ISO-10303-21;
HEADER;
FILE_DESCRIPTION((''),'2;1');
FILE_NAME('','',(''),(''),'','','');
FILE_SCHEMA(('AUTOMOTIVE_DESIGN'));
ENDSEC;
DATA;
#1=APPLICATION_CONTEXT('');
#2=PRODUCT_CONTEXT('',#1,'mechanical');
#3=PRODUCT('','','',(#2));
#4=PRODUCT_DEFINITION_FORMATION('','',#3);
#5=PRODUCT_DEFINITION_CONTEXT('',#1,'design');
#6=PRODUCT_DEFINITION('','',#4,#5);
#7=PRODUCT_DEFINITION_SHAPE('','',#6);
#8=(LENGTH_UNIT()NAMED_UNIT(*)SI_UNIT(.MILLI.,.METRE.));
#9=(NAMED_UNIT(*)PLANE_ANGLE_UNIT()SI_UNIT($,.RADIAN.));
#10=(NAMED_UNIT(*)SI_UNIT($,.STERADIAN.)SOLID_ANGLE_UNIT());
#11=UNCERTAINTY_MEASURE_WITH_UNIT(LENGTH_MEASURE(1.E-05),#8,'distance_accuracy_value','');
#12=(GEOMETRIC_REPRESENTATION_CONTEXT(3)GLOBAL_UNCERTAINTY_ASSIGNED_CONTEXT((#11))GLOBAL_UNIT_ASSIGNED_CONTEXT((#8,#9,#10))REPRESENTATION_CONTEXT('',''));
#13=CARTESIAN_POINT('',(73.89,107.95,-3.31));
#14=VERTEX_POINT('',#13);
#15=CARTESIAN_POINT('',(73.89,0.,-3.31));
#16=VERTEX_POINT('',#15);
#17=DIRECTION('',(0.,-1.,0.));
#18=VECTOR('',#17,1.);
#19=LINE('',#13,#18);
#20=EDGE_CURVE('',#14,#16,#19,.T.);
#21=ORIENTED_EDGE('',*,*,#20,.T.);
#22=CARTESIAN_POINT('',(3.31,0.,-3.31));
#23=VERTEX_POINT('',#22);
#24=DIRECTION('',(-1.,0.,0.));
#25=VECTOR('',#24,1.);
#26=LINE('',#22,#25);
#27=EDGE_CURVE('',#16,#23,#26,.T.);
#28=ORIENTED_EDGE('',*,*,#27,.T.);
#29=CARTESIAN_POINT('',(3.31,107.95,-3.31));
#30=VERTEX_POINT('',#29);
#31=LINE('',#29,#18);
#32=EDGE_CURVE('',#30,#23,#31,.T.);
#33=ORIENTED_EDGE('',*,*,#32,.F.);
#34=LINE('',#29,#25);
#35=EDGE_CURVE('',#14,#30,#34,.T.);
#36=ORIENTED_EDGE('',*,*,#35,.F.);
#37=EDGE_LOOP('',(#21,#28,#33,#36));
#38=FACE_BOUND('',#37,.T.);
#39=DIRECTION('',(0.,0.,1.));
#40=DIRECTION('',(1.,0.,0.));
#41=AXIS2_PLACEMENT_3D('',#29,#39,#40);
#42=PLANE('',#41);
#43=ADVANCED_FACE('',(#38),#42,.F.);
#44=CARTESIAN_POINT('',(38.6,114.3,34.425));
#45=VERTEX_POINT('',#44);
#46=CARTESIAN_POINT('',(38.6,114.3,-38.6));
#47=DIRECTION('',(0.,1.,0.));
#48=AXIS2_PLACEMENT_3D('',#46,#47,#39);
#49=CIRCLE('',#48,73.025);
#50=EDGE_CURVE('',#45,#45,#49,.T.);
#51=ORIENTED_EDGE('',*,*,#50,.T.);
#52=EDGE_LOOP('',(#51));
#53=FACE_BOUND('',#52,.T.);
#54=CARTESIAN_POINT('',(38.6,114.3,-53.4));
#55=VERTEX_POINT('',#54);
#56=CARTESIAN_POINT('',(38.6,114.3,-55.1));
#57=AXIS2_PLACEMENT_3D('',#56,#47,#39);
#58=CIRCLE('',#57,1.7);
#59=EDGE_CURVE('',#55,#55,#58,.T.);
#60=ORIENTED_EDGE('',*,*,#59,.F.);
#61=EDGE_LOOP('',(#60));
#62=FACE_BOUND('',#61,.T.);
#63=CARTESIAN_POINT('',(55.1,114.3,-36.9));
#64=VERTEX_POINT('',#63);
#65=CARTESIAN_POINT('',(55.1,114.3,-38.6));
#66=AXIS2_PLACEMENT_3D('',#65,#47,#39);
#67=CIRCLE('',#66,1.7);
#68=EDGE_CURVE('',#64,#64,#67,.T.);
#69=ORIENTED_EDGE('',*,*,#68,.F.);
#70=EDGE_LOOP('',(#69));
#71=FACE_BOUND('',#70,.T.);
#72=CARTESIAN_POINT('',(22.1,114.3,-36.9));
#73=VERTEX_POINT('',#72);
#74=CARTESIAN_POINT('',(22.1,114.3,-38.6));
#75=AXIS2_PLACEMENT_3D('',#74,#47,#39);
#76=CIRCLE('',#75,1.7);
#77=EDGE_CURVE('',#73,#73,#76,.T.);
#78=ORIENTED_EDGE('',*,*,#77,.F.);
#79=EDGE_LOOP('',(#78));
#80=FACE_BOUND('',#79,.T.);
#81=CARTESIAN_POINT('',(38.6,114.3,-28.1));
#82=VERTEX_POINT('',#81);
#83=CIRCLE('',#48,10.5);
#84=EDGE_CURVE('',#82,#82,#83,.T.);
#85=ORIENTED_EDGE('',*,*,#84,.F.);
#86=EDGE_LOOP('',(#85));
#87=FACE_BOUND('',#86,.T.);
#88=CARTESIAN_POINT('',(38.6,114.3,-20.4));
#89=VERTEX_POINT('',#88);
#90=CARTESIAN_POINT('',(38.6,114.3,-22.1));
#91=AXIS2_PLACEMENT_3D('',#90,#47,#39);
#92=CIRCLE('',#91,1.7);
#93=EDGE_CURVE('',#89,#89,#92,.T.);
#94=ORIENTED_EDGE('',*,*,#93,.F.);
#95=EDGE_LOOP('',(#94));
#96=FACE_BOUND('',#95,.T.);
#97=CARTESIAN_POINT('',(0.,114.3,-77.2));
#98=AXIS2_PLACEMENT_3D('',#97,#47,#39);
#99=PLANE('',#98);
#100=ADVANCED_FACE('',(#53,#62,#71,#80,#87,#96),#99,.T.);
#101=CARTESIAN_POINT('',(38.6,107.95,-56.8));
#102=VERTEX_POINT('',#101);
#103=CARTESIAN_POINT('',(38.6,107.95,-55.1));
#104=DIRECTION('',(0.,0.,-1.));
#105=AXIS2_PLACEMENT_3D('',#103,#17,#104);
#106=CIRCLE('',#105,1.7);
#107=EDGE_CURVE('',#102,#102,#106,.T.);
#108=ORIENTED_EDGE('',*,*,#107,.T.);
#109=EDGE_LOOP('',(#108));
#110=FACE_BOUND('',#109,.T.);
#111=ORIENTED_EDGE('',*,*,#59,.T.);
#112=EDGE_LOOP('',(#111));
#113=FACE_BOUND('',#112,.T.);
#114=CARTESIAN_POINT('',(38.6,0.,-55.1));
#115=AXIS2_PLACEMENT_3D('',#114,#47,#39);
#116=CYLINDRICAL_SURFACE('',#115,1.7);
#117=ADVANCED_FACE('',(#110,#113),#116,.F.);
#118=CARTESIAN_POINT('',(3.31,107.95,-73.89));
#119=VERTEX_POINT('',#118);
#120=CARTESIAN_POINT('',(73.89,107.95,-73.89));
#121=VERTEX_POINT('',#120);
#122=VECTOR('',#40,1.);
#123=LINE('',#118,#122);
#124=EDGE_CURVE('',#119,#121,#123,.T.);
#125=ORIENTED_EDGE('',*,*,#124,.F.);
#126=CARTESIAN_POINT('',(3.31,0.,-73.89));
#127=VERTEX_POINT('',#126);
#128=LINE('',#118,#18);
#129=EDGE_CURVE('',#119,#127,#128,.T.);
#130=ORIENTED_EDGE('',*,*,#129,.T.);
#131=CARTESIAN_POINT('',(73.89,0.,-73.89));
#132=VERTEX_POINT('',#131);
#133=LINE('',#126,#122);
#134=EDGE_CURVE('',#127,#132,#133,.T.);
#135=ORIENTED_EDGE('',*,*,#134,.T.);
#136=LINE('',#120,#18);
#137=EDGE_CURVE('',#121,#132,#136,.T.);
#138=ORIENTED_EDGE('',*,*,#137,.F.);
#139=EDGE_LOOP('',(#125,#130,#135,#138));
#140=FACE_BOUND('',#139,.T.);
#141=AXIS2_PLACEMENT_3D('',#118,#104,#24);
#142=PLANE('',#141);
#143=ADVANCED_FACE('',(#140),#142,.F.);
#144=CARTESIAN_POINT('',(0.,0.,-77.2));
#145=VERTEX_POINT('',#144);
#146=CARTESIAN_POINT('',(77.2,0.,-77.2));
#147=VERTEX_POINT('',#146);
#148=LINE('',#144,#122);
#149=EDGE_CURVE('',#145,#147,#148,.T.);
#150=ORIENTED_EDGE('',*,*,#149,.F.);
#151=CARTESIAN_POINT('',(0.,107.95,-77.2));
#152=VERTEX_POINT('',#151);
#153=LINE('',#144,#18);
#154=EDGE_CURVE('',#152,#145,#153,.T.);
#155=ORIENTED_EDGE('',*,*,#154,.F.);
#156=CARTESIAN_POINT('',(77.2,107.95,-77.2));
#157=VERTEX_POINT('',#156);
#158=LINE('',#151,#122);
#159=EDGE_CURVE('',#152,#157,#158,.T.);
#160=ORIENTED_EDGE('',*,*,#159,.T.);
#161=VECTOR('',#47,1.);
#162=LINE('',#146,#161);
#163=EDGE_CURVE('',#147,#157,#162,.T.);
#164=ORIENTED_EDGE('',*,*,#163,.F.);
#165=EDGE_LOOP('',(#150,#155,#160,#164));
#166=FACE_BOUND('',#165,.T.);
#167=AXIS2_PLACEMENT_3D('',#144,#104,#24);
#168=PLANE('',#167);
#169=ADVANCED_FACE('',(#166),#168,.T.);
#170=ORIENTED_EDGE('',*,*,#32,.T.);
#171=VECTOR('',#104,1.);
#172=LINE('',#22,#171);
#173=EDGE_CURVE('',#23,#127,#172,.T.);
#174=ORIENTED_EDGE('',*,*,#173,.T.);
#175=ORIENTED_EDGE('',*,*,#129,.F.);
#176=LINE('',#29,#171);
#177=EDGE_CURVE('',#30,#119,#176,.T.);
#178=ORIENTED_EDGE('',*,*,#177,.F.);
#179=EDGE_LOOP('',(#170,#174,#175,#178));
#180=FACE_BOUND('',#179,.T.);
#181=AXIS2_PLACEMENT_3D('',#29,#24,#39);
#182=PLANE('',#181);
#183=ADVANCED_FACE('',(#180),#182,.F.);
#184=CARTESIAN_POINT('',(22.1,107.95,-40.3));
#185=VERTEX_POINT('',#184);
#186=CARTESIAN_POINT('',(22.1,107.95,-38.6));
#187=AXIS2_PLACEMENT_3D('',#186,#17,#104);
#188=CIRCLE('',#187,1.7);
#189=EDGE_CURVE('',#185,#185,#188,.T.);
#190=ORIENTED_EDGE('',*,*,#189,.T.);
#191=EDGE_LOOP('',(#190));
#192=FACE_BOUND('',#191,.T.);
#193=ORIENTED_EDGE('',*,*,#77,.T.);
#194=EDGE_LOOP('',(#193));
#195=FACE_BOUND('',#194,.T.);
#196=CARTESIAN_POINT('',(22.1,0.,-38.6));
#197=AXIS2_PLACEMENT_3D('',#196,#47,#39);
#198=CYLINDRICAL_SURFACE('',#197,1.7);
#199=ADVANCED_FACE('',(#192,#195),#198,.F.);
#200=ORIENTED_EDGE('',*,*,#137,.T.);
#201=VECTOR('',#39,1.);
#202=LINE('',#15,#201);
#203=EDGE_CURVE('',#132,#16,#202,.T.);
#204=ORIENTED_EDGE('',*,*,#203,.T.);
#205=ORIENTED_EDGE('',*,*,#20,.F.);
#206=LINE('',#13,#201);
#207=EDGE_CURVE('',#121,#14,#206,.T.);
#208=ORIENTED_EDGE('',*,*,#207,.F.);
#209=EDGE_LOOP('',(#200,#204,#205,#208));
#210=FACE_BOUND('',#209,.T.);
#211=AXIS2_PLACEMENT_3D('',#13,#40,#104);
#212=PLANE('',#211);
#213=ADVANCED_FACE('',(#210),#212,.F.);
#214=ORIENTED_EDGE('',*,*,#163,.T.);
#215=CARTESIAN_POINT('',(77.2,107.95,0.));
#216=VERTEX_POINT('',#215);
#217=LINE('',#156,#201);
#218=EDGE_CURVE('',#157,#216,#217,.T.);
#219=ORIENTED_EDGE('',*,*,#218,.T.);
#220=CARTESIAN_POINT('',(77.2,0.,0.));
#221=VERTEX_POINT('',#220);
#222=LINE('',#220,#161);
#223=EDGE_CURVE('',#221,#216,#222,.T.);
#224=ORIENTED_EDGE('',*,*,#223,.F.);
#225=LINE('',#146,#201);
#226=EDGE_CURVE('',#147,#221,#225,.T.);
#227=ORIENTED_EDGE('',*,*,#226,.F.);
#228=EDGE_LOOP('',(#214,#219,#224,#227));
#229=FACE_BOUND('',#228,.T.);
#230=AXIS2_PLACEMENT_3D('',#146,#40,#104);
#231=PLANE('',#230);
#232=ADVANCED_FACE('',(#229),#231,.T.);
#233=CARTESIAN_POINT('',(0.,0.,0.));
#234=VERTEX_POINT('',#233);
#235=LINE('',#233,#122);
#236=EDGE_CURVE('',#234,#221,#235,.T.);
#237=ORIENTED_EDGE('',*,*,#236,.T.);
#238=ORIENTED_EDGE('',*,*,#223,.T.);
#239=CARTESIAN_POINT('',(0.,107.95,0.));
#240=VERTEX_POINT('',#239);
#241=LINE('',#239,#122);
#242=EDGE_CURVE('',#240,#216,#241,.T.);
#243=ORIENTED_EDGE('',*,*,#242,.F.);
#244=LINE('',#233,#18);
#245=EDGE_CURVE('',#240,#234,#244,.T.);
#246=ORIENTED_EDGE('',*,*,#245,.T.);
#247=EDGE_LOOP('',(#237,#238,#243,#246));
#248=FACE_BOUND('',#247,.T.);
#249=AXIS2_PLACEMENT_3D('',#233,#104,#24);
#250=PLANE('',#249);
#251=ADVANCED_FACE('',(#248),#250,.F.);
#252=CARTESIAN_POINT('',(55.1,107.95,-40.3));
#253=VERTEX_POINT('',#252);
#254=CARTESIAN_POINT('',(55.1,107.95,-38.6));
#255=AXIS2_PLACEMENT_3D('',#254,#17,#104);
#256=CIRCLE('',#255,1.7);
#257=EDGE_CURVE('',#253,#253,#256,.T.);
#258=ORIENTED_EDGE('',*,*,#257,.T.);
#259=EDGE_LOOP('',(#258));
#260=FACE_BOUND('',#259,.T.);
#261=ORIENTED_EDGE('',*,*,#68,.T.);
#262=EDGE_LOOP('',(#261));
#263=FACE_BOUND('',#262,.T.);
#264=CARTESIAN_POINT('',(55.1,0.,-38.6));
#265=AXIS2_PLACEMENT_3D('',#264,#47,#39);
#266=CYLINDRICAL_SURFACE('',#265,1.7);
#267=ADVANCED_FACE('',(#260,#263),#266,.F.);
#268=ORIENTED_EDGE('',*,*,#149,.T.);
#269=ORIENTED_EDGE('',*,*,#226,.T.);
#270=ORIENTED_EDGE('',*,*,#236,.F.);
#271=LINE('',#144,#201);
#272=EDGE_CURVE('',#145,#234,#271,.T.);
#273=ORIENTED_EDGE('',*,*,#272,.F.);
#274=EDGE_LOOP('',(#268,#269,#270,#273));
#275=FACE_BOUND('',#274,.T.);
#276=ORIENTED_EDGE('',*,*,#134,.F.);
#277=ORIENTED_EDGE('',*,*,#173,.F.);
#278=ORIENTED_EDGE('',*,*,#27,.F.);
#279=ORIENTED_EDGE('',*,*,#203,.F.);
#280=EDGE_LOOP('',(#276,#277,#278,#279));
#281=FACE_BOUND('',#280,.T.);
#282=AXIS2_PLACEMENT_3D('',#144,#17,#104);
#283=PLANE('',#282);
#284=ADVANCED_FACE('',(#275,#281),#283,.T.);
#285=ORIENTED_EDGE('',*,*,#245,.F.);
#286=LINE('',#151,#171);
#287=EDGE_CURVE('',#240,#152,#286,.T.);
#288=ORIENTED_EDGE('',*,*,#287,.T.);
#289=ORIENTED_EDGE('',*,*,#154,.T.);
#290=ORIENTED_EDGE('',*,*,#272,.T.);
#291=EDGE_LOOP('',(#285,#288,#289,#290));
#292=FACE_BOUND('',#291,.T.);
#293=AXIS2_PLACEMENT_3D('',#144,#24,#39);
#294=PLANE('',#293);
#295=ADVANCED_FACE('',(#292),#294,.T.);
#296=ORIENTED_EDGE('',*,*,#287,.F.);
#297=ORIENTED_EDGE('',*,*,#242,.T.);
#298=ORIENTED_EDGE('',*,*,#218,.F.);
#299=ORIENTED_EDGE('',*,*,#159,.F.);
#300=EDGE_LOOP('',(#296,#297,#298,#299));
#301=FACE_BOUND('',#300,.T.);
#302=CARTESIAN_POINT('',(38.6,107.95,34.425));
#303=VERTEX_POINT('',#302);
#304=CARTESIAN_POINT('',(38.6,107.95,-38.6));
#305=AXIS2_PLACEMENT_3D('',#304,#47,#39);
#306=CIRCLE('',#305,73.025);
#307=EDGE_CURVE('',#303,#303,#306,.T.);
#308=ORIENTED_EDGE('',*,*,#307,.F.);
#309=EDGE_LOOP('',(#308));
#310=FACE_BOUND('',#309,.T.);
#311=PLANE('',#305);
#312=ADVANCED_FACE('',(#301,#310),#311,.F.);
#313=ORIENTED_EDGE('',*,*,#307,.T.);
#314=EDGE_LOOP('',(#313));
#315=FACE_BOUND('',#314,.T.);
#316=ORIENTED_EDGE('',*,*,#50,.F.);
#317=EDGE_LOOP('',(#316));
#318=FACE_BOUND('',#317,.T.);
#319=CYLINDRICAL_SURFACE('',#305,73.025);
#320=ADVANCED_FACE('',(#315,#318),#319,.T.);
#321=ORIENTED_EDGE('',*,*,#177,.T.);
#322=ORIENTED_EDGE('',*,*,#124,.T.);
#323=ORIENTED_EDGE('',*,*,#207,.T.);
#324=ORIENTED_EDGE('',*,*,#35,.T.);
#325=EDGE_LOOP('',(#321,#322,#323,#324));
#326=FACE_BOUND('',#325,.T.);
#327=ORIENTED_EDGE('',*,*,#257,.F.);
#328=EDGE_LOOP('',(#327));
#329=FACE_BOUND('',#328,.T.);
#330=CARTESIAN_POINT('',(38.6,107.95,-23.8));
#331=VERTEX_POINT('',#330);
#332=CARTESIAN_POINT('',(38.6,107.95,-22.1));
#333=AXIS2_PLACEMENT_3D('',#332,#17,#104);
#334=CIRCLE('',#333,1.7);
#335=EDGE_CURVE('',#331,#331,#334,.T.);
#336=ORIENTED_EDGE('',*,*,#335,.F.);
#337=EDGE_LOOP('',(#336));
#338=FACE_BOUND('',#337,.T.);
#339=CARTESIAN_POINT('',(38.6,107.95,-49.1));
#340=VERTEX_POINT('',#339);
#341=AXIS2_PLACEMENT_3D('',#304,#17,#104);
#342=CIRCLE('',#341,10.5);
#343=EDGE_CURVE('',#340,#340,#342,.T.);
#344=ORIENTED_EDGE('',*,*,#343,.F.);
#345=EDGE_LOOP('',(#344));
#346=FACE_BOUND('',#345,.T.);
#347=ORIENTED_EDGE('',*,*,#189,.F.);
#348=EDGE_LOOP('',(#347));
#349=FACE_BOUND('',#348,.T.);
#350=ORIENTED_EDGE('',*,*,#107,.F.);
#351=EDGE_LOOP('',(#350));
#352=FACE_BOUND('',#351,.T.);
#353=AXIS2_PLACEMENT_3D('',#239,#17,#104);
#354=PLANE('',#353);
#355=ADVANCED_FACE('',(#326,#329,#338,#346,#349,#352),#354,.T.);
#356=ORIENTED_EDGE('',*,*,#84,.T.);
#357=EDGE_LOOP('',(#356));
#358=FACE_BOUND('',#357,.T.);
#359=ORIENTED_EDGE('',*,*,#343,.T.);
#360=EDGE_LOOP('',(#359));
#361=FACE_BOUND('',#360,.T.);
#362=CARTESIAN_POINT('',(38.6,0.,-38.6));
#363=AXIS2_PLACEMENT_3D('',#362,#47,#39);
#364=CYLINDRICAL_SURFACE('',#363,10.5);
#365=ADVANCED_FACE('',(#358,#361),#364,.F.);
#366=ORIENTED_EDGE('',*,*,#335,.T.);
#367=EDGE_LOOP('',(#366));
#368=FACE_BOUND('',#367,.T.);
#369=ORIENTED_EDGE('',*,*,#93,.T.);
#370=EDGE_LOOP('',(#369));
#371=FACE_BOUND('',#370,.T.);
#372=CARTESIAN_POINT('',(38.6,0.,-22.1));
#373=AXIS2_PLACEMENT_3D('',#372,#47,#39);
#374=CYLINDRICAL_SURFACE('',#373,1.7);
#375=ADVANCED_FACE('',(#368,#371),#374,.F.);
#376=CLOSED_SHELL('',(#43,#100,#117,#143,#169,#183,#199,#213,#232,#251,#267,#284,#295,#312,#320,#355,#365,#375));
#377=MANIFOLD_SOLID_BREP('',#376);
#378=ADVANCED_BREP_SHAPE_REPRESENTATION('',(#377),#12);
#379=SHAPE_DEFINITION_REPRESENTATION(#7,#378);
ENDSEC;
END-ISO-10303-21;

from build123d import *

# Parameters (mm, degrees)
SKETCH1_W           = 77.2
SKETCH1_H           = 114.3
BOSS_EXTRUDE1_DEPTH = 77.2
SKETCH2_W           = 70.58
SKETCH2_H           = 70.58
CUT_EXTRUDE1_DEPTH  = 107.95
SKETCH3_R           = 10.5
SKETCH3_R_2         = 1.7
CUT_EXTRUDE2_DEPTH  = 115.3
SKETCH4_R           = 73.025
SKETCH4_R_2         = 1.7
SKETCH4_R_3         = 10.5
BOSS_EXTRUDE4_DEPTH = 6.35


with BuildPart() as part:
    # Sketch1 → Boss-Extrude1 (new body)
    with BuildSketch(Plane.XY):
        with Locations((38.6, 57.15)):
            Rectangle(SKETCH1_W, SKETCH1_H)
    extrude(amount=-BOSS_EXTRUDE1_DEPTH)

    # Sketch2 → Cut-Extrude1 (cut)
    with BuildSketch(Plane.XZ):
        with Locations((38.6, -38.6)):
            Rectangle(SKETCH2_W, SKETCH2_H)
    extrude(amount=-CUT_EXTRUDE1_DEPTH, mode=Mode.SUBTRACT)

    # Sketch3 → Cut-Extrude2 (cut, through all)
    with BuildSketch(Plane(origin=(0, 114.3, 0), x_dir=(1, 0, 0), z_dir=(0, 1, 0))):
        with Locations((38.6, 38.6)):
            Circle(SKETCH3_R)
        with Locations((38.6, 55.1)):
            Circle(SKETCH3_R_2)
        with Locations((55.1, 38.6)):
            Circle(SKETCH3_R_2)
        with Locations((38.6, 22.1)):
            Circle(SKETCH3_R_2)
        with Locations((22.1, 38.6)):
            Circle(SKETCH3_R_2)
    extrude(amount=-CUT_EXTRUDE2_DEPTH, mode=Mode.SUBTRACT)

    # Sketch4 → Boss-Extrude4 (add)
    with BuildSketch(Plane(origin=(0, 114.3, 0), x_dir=(1, 0, 0), z_dir=(0, 1, 0))):
        with Locations((38.6, 38.6)):
            Circle(SKETCH4_R)
        with Locations((38.6, 55.1)):
            Circle(SKETCH4_R_2, mode=Mode.SUBTRACT)
        with Locations((55.1, 38.6)):
            Circle(SKETCH4_R_2, mode=Mode.SUBTRACT)
        with Locations((38.6, 22.1)):
            Circle(SKETCH4_R_2, mode=Mode.SUBTRACT)
        with Locations((22.1, 38.6)):
            Circle(SKETCH4_R_2, mode=Mode.SUBTRACT)
        with Locations((38.6, 38.6)):
            Circle(SKETCH4_R_3, mode=Mode.SUBTRACT)
    extrude(amount=-BOSS_EXTRUDE4_DEPTH)


solid = part.part
